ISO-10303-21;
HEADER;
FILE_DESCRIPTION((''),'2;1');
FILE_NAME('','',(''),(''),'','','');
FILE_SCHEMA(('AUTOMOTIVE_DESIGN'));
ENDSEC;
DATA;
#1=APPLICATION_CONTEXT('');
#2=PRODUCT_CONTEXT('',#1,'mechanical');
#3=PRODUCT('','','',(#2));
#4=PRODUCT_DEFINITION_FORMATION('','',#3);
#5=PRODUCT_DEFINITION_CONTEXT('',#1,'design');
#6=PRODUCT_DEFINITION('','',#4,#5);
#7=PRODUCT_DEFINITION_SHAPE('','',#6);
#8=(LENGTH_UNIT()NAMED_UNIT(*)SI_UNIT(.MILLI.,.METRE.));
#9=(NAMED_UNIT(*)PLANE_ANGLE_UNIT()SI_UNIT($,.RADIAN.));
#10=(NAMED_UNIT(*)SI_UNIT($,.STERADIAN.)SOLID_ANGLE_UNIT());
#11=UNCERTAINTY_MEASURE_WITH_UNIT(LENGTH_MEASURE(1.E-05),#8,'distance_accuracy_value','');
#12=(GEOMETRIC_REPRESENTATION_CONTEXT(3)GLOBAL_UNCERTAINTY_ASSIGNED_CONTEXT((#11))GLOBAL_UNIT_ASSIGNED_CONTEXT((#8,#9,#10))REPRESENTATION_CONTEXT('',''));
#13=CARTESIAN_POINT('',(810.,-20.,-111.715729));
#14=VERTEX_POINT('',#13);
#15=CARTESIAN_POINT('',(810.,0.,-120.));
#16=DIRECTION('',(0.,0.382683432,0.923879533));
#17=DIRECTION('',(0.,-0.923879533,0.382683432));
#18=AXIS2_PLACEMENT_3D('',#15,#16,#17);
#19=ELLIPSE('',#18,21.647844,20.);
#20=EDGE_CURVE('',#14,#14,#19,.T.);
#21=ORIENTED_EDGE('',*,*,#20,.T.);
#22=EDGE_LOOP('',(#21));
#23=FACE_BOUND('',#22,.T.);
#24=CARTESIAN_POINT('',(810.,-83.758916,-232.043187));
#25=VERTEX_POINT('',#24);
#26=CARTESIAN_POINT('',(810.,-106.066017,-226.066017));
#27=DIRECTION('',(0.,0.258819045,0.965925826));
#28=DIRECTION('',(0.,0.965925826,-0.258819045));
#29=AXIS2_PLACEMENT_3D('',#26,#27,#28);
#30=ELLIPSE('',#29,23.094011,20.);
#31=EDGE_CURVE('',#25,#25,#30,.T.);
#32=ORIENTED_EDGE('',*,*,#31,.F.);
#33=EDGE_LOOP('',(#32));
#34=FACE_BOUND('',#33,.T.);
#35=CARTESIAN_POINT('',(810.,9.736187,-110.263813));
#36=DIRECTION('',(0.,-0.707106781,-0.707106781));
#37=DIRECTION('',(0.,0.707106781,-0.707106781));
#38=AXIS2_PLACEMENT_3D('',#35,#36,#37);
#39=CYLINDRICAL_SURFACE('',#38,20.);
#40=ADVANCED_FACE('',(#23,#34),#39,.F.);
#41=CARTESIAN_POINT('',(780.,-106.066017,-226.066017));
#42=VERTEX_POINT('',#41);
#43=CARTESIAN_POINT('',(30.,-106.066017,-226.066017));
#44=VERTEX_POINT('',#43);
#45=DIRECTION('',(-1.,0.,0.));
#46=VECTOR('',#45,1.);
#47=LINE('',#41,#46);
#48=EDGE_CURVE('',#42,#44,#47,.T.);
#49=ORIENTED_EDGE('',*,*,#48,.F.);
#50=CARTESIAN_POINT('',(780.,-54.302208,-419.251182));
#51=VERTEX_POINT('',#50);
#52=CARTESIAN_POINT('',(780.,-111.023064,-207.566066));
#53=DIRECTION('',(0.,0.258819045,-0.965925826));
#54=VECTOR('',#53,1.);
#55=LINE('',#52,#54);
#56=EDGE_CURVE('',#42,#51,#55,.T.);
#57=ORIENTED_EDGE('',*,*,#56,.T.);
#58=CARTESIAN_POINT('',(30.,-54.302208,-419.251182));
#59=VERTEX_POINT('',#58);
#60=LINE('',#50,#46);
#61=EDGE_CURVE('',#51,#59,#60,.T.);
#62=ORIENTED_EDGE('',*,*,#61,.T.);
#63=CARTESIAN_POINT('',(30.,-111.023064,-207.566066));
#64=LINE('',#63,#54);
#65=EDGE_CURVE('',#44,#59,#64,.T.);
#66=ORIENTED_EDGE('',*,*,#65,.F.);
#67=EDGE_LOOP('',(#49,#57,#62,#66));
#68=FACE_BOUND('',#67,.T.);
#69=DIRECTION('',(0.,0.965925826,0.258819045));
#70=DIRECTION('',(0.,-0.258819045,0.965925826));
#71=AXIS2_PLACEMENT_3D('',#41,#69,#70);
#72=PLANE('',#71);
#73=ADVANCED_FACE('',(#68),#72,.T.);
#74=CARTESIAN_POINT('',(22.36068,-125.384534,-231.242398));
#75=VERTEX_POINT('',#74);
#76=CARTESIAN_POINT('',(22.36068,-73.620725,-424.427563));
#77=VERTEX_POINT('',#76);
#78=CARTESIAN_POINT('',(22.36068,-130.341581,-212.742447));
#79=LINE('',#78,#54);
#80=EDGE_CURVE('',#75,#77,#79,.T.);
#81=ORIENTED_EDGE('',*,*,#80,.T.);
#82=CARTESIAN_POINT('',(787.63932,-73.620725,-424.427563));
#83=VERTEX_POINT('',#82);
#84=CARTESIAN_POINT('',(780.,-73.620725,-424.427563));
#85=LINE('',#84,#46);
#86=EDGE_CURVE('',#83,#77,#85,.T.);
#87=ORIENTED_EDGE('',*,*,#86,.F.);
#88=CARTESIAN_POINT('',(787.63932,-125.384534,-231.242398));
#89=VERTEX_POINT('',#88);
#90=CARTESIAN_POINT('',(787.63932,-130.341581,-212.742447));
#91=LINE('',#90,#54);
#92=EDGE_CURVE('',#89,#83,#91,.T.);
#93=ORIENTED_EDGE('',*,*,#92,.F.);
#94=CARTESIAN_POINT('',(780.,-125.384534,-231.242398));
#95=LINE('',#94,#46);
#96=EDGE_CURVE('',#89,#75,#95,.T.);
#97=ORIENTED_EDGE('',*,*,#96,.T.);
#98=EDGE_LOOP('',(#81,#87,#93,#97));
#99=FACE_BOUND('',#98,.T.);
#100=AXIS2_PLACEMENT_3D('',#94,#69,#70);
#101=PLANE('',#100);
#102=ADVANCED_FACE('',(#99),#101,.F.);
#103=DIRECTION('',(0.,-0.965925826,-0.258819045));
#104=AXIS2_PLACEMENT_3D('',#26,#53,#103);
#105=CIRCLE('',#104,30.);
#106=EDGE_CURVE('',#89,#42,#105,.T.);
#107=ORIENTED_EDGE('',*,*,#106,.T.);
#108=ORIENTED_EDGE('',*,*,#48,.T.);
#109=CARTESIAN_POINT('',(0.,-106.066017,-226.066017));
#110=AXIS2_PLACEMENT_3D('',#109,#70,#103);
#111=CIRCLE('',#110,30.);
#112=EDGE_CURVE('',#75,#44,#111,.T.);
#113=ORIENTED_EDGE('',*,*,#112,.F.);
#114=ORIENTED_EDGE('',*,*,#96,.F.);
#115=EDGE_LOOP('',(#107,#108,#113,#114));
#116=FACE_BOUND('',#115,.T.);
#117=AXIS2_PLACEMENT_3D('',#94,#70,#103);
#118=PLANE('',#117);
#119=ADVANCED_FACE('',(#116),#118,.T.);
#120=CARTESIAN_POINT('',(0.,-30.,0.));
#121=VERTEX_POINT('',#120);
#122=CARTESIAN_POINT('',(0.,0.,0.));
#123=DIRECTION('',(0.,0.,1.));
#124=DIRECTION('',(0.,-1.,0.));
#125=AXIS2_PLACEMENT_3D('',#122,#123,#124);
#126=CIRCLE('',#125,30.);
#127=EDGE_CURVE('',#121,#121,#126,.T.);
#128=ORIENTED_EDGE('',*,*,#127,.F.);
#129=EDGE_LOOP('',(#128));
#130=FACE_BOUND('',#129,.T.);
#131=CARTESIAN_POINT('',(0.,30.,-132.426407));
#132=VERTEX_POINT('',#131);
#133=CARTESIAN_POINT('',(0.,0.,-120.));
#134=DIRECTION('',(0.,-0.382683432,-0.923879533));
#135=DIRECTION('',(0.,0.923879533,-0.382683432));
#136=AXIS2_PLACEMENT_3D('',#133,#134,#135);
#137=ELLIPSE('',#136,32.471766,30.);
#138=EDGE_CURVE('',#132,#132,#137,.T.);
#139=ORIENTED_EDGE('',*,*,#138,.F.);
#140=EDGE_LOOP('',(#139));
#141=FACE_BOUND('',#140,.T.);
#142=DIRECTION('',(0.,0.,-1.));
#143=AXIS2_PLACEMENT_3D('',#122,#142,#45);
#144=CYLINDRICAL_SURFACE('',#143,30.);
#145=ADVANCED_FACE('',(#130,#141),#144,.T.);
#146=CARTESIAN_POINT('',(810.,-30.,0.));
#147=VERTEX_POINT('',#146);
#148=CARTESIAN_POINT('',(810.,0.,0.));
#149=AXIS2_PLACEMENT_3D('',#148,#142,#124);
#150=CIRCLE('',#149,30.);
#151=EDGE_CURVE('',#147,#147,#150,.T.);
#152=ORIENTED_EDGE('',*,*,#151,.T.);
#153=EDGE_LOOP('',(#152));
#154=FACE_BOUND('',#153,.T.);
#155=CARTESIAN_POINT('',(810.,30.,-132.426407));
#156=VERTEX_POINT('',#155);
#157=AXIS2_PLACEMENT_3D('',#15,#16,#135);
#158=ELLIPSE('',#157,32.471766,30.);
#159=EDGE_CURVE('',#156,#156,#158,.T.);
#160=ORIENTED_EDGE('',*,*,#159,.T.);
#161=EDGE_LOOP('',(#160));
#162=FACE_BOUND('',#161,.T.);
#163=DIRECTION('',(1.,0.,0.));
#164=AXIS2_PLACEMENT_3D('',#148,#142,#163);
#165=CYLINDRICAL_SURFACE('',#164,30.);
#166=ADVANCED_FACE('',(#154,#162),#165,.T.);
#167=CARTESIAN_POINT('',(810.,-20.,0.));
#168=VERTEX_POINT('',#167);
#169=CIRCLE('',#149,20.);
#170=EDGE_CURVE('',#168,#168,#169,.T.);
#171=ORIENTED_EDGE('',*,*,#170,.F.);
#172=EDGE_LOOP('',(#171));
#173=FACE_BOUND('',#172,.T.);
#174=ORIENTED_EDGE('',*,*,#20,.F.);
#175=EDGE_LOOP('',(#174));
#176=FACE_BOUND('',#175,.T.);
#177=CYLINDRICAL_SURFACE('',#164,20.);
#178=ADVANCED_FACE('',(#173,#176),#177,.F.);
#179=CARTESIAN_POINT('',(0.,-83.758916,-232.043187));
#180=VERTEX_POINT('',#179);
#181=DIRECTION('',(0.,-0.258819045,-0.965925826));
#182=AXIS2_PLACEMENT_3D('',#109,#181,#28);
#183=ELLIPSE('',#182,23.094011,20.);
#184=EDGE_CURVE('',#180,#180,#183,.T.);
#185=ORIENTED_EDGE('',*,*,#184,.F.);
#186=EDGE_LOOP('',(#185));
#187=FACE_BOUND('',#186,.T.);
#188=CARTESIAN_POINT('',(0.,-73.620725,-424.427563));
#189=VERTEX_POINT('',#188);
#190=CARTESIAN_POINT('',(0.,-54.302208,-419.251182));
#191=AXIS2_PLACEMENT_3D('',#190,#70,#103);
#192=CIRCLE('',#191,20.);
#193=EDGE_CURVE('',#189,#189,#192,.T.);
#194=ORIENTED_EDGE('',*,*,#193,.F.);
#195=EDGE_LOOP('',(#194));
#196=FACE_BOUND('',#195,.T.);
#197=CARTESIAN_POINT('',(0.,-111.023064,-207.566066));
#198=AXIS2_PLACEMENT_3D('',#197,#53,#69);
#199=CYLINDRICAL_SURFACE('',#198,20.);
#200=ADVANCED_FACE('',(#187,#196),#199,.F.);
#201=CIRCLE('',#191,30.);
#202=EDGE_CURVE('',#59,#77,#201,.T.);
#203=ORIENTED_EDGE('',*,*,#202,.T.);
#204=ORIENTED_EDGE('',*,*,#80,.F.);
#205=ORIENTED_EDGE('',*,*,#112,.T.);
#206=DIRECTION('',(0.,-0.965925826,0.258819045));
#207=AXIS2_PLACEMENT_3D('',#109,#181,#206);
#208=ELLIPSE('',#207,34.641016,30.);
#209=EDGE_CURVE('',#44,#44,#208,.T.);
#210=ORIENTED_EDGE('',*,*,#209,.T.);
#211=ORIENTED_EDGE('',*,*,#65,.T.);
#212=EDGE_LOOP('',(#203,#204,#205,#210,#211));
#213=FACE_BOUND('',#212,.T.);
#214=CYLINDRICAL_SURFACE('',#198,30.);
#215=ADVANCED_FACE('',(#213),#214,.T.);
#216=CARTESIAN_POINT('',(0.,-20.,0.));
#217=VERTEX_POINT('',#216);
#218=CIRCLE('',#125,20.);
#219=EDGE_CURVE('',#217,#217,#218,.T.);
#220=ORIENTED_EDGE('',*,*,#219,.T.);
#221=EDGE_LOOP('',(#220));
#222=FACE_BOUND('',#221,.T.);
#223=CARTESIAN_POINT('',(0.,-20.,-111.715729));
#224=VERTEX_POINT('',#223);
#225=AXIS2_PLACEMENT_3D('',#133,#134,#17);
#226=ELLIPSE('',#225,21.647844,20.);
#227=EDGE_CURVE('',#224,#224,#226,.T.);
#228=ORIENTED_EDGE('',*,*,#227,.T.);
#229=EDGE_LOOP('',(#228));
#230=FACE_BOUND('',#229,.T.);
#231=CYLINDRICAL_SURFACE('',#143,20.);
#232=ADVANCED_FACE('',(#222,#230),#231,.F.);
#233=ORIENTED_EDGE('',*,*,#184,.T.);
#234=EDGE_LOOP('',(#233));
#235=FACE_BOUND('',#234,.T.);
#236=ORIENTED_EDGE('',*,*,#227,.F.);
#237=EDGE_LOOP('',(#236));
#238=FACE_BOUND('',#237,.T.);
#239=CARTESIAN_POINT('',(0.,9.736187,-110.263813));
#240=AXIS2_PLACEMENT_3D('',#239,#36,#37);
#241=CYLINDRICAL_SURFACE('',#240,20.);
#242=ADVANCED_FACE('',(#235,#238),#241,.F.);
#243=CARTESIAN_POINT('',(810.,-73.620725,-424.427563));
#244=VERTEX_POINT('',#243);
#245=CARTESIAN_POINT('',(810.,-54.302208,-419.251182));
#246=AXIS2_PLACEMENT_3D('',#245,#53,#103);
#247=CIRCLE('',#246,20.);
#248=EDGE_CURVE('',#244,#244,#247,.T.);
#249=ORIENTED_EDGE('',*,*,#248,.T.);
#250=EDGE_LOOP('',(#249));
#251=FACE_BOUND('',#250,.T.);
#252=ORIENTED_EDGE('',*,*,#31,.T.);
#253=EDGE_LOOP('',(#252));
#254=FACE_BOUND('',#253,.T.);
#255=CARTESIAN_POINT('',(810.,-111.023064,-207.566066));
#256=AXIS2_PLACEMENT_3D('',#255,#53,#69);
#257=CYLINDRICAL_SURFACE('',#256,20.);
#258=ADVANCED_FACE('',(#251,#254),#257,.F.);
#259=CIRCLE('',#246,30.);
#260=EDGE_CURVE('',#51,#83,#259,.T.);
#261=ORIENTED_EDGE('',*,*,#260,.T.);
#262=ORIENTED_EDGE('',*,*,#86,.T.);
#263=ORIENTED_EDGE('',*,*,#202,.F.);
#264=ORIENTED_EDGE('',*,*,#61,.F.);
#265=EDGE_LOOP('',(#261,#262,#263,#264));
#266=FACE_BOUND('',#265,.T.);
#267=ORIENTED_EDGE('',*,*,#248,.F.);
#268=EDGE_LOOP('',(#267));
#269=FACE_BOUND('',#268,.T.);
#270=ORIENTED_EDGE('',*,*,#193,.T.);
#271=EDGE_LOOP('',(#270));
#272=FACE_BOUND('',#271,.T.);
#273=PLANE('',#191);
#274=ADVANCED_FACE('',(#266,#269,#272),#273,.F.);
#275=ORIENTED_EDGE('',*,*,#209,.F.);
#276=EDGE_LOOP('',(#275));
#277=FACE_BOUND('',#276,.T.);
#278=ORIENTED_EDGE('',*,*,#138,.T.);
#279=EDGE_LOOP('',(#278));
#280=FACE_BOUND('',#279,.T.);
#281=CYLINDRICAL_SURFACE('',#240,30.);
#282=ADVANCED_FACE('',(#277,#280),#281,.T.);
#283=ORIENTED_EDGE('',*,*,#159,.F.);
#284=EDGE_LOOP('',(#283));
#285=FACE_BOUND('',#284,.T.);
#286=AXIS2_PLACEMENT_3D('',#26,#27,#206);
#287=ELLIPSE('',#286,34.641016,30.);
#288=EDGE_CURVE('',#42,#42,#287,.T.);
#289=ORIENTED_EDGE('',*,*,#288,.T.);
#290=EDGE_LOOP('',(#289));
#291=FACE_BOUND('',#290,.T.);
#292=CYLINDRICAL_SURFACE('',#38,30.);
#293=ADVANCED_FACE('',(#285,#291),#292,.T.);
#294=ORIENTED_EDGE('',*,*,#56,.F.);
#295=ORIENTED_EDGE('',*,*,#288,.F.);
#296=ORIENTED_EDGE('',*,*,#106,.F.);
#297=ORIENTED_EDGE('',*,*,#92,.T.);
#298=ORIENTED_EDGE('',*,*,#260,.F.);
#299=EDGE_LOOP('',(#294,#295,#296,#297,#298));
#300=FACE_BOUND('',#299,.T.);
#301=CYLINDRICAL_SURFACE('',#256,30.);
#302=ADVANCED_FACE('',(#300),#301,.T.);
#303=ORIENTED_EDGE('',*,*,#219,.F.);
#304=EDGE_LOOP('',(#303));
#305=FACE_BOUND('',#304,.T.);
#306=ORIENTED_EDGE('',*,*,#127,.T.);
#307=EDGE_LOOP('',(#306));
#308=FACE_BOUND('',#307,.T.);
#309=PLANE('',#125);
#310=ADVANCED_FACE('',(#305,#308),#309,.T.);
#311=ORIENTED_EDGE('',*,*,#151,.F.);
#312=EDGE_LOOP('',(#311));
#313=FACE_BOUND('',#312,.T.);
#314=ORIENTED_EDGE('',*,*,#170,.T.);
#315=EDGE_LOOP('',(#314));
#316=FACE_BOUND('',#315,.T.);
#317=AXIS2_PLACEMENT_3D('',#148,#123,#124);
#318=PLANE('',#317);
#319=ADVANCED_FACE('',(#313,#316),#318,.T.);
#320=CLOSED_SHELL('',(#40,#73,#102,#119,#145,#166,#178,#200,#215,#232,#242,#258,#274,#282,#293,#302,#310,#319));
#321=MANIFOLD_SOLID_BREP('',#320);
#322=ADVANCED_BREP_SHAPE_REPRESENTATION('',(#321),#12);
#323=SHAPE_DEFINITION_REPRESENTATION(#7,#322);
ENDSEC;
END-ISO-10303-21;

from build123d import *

# Parameters (mm, degrees)
SWEEP_THIN1_PROFILE_R   = 30
SWEEP_THIN1_PROFILE_R_2 = 20
EXTRUDE_THIN1_START     = 20
EXTRUDE_THIN1_DEPTH     = 760


with BuildPart() as part:
    # Sweep-Thin1: sweep along a path in Sketch2
    with BuildLine(Plane(origin=(0, 0, 0), x_dir=(0, 0, -1), z_dir=(1, 0, 0))) as sweep_thin1_path:
        Line((0, 0), (120, 0))
        Line((120, 0), (226.066017178, -106.066017178))
        Line((226.066017178, -106.066017178), (419.251182436, -54.302208157))
    # Sweep-Thin1 profile (on start of the path) → Sweep-Thin1 (sweep)
    with BuildSketch(Plane(origin=(0, 0, 0), x_dir=(-1, 0, 0), z_dir=(0, 0, -1))):
        Circle(SWEEP_THIN1_PROFILE_R)
        Circle(SWEEP_THIN1_PROFILE_R_2, mode=Mode.SUBTRACT)
    sweep(path=sweep_thin1_path.line, transition=Transition.RIGHT)

    # Sketch13 → Extrude-Thin1 (add)
    with BuildSketch(Plane(origin=(0, 0, 0), x_dir=(0, 0, -1), z_dir=(1, 0, 0)).offset(EXTRUDE_THIN1_START)):
        Polygon((226.066017178, -106.066017178), (419.251182436, -54.302208157), (424.427563338, -73.620724683), (231.24239808, -125.384533704), align=None)
    extrude(amount=EXTRUDE_THIN1_DEPTH)

    # Mirror4: part across plane


with BuildPart() as part_1:
    add(part.part)
    add(part.part.mirror(Plane(origin=(405, 0, 0), x_dir=(0, 0, 1), z_dir=(1, 0, 0))))


solid = part_1.part
